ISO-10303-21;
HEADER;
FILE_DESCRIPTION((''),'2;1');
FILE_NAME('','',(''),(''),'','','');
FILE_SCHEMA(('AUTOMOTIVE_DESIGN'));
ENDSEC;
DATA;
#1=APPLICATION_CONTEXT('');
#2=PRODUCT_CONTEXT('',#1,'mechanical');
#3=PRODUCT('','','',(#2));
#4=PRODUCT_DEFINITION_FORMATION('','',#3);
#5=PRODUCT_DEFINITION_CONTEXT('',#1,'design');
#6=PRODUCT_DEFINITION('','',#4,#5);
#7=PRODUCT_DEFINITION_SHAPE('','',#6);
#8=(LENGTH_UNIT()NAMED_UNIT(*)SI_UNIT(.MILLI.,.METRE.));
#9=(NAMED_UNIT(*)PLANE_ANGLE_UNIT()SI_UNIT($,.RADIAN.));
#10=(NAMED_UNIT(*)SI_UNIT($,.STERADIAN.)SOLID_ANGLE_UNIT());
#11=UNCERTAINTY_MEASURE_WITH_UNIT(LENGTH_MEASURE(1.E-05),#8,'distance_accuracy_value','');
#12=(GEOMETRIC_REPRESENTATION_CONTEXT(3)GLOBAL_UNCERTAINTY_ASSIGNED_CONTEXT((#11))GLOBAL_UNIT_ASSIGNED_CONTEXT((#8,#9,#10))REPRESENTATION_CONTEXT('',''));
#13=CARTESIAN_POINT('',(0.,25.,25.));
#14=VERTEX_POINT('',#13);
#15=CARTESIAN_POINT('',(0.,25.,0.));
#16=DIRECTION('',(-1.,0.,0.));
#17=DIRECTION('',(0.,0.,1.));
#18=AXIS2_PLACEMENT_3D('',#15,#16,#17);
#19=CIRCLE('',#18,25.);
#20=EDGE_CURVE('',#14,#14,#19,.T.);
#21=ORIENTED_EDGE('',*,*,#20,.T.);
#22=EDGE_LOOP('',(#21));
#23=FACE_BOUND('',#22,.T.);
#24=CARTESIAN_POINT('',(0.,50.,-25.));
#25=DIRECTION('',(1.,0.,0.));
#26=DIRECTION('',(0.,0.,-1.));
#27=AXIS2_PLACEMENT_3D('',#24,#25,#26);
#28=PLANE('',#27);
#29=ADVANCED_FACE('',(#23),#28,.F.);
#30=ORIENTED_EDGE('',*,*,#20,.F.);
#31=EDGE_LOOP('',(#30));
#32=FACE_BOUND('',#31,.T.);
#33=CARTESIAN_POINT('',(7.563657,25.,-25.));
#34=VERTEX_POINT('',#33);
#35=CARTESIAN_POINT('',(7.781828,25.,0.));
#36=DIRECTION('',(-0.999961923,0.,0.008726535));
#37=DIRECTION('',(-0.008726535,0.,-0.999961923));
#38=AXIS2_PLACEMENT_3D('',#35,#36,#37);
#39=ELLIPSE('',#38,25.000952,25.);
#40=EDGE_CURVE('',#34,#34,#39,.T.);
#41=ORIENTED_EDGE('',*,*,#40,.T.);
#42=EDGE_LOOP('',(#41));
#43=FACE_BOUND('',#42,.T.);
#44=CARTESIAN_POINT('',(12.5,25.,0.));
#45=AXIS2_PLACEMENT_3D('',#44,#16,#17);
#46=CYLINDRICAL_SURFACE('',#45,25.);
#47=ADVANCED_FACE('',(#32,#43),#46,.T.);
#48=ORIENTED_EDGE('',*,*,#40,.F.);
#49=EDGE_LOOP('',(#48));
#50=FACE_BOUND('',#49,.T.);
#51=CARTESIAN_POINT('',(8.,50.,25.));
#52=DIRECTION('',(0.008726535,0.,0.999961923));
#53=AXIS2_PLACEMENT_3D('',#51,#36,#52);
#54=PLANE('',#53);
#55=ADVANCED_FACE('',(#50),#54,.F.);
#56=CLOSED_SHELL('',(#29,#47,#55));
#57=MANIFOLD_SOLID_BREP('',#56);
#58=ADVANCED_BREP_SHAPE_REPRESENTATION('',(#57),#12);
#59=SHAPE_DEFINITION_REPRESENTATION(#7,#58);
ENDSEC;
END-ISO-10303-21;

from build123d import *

# Parameters (mm, degrees)
EXTRUDE_1_DEPTH     = 50
CUT_EXTRUDE_2_DEPTH = 12.5


with BuildPart() as part:
    # 草图1 → 凸台-拉伸1 (new body)
    with BuildSketch(Plane(origin=(0, 0, 0), x_dir=(1, 0, 0), z_dir=(0, 1, 0))):
        Polygon((0, 25), (0, -25), (8, -25), (7.56365661, 25), align=None)
    extrude(amount=EXTRUDE_1_DEPTH)

    # 草图5 → 切除-拉伸2 (cut)
    with BuildSketch(Plane.ZY):
        with BuildLine():
            Line((-25, 50), (-25, 25))
            ThreePointArc((-25, 25), (-17.67766952, 42.677669539), (2.6e-08, 50))
            Line((2.6e-08, 50), (-25, 50))
        make_face()
        with BuildLine():
            Line((-25, 25), (-25, 0))
            Line((-25, 0), (-5.8e-08, 0))
            ThreePointArc((-5.8e-08, 0), (-17.67766955, 7.322330491), (-25, 25))
        make_face()
        with BuildLine():
            ThreePointArc((25, 25), (17.677669509, 7.32233045), (-5.8e-08, 0))
            Line((-5.8e-08, 0), (25, 0))
            Line((25, 0), (25, 25))
        make_face()
        with BuildLine():
            ThreePointArc((2.6e-08, 50), (17.677669539, 42.67766952), (25, 25))
            Line((25, 25), (25, 50))
            Line((25, 50), (2.6e-08, 50))
        make_face()
    extrude(amount=-CUT_EXTRUDE_2_DEPTH, mode=Mode.SUBTRACT)


solid = part.part
